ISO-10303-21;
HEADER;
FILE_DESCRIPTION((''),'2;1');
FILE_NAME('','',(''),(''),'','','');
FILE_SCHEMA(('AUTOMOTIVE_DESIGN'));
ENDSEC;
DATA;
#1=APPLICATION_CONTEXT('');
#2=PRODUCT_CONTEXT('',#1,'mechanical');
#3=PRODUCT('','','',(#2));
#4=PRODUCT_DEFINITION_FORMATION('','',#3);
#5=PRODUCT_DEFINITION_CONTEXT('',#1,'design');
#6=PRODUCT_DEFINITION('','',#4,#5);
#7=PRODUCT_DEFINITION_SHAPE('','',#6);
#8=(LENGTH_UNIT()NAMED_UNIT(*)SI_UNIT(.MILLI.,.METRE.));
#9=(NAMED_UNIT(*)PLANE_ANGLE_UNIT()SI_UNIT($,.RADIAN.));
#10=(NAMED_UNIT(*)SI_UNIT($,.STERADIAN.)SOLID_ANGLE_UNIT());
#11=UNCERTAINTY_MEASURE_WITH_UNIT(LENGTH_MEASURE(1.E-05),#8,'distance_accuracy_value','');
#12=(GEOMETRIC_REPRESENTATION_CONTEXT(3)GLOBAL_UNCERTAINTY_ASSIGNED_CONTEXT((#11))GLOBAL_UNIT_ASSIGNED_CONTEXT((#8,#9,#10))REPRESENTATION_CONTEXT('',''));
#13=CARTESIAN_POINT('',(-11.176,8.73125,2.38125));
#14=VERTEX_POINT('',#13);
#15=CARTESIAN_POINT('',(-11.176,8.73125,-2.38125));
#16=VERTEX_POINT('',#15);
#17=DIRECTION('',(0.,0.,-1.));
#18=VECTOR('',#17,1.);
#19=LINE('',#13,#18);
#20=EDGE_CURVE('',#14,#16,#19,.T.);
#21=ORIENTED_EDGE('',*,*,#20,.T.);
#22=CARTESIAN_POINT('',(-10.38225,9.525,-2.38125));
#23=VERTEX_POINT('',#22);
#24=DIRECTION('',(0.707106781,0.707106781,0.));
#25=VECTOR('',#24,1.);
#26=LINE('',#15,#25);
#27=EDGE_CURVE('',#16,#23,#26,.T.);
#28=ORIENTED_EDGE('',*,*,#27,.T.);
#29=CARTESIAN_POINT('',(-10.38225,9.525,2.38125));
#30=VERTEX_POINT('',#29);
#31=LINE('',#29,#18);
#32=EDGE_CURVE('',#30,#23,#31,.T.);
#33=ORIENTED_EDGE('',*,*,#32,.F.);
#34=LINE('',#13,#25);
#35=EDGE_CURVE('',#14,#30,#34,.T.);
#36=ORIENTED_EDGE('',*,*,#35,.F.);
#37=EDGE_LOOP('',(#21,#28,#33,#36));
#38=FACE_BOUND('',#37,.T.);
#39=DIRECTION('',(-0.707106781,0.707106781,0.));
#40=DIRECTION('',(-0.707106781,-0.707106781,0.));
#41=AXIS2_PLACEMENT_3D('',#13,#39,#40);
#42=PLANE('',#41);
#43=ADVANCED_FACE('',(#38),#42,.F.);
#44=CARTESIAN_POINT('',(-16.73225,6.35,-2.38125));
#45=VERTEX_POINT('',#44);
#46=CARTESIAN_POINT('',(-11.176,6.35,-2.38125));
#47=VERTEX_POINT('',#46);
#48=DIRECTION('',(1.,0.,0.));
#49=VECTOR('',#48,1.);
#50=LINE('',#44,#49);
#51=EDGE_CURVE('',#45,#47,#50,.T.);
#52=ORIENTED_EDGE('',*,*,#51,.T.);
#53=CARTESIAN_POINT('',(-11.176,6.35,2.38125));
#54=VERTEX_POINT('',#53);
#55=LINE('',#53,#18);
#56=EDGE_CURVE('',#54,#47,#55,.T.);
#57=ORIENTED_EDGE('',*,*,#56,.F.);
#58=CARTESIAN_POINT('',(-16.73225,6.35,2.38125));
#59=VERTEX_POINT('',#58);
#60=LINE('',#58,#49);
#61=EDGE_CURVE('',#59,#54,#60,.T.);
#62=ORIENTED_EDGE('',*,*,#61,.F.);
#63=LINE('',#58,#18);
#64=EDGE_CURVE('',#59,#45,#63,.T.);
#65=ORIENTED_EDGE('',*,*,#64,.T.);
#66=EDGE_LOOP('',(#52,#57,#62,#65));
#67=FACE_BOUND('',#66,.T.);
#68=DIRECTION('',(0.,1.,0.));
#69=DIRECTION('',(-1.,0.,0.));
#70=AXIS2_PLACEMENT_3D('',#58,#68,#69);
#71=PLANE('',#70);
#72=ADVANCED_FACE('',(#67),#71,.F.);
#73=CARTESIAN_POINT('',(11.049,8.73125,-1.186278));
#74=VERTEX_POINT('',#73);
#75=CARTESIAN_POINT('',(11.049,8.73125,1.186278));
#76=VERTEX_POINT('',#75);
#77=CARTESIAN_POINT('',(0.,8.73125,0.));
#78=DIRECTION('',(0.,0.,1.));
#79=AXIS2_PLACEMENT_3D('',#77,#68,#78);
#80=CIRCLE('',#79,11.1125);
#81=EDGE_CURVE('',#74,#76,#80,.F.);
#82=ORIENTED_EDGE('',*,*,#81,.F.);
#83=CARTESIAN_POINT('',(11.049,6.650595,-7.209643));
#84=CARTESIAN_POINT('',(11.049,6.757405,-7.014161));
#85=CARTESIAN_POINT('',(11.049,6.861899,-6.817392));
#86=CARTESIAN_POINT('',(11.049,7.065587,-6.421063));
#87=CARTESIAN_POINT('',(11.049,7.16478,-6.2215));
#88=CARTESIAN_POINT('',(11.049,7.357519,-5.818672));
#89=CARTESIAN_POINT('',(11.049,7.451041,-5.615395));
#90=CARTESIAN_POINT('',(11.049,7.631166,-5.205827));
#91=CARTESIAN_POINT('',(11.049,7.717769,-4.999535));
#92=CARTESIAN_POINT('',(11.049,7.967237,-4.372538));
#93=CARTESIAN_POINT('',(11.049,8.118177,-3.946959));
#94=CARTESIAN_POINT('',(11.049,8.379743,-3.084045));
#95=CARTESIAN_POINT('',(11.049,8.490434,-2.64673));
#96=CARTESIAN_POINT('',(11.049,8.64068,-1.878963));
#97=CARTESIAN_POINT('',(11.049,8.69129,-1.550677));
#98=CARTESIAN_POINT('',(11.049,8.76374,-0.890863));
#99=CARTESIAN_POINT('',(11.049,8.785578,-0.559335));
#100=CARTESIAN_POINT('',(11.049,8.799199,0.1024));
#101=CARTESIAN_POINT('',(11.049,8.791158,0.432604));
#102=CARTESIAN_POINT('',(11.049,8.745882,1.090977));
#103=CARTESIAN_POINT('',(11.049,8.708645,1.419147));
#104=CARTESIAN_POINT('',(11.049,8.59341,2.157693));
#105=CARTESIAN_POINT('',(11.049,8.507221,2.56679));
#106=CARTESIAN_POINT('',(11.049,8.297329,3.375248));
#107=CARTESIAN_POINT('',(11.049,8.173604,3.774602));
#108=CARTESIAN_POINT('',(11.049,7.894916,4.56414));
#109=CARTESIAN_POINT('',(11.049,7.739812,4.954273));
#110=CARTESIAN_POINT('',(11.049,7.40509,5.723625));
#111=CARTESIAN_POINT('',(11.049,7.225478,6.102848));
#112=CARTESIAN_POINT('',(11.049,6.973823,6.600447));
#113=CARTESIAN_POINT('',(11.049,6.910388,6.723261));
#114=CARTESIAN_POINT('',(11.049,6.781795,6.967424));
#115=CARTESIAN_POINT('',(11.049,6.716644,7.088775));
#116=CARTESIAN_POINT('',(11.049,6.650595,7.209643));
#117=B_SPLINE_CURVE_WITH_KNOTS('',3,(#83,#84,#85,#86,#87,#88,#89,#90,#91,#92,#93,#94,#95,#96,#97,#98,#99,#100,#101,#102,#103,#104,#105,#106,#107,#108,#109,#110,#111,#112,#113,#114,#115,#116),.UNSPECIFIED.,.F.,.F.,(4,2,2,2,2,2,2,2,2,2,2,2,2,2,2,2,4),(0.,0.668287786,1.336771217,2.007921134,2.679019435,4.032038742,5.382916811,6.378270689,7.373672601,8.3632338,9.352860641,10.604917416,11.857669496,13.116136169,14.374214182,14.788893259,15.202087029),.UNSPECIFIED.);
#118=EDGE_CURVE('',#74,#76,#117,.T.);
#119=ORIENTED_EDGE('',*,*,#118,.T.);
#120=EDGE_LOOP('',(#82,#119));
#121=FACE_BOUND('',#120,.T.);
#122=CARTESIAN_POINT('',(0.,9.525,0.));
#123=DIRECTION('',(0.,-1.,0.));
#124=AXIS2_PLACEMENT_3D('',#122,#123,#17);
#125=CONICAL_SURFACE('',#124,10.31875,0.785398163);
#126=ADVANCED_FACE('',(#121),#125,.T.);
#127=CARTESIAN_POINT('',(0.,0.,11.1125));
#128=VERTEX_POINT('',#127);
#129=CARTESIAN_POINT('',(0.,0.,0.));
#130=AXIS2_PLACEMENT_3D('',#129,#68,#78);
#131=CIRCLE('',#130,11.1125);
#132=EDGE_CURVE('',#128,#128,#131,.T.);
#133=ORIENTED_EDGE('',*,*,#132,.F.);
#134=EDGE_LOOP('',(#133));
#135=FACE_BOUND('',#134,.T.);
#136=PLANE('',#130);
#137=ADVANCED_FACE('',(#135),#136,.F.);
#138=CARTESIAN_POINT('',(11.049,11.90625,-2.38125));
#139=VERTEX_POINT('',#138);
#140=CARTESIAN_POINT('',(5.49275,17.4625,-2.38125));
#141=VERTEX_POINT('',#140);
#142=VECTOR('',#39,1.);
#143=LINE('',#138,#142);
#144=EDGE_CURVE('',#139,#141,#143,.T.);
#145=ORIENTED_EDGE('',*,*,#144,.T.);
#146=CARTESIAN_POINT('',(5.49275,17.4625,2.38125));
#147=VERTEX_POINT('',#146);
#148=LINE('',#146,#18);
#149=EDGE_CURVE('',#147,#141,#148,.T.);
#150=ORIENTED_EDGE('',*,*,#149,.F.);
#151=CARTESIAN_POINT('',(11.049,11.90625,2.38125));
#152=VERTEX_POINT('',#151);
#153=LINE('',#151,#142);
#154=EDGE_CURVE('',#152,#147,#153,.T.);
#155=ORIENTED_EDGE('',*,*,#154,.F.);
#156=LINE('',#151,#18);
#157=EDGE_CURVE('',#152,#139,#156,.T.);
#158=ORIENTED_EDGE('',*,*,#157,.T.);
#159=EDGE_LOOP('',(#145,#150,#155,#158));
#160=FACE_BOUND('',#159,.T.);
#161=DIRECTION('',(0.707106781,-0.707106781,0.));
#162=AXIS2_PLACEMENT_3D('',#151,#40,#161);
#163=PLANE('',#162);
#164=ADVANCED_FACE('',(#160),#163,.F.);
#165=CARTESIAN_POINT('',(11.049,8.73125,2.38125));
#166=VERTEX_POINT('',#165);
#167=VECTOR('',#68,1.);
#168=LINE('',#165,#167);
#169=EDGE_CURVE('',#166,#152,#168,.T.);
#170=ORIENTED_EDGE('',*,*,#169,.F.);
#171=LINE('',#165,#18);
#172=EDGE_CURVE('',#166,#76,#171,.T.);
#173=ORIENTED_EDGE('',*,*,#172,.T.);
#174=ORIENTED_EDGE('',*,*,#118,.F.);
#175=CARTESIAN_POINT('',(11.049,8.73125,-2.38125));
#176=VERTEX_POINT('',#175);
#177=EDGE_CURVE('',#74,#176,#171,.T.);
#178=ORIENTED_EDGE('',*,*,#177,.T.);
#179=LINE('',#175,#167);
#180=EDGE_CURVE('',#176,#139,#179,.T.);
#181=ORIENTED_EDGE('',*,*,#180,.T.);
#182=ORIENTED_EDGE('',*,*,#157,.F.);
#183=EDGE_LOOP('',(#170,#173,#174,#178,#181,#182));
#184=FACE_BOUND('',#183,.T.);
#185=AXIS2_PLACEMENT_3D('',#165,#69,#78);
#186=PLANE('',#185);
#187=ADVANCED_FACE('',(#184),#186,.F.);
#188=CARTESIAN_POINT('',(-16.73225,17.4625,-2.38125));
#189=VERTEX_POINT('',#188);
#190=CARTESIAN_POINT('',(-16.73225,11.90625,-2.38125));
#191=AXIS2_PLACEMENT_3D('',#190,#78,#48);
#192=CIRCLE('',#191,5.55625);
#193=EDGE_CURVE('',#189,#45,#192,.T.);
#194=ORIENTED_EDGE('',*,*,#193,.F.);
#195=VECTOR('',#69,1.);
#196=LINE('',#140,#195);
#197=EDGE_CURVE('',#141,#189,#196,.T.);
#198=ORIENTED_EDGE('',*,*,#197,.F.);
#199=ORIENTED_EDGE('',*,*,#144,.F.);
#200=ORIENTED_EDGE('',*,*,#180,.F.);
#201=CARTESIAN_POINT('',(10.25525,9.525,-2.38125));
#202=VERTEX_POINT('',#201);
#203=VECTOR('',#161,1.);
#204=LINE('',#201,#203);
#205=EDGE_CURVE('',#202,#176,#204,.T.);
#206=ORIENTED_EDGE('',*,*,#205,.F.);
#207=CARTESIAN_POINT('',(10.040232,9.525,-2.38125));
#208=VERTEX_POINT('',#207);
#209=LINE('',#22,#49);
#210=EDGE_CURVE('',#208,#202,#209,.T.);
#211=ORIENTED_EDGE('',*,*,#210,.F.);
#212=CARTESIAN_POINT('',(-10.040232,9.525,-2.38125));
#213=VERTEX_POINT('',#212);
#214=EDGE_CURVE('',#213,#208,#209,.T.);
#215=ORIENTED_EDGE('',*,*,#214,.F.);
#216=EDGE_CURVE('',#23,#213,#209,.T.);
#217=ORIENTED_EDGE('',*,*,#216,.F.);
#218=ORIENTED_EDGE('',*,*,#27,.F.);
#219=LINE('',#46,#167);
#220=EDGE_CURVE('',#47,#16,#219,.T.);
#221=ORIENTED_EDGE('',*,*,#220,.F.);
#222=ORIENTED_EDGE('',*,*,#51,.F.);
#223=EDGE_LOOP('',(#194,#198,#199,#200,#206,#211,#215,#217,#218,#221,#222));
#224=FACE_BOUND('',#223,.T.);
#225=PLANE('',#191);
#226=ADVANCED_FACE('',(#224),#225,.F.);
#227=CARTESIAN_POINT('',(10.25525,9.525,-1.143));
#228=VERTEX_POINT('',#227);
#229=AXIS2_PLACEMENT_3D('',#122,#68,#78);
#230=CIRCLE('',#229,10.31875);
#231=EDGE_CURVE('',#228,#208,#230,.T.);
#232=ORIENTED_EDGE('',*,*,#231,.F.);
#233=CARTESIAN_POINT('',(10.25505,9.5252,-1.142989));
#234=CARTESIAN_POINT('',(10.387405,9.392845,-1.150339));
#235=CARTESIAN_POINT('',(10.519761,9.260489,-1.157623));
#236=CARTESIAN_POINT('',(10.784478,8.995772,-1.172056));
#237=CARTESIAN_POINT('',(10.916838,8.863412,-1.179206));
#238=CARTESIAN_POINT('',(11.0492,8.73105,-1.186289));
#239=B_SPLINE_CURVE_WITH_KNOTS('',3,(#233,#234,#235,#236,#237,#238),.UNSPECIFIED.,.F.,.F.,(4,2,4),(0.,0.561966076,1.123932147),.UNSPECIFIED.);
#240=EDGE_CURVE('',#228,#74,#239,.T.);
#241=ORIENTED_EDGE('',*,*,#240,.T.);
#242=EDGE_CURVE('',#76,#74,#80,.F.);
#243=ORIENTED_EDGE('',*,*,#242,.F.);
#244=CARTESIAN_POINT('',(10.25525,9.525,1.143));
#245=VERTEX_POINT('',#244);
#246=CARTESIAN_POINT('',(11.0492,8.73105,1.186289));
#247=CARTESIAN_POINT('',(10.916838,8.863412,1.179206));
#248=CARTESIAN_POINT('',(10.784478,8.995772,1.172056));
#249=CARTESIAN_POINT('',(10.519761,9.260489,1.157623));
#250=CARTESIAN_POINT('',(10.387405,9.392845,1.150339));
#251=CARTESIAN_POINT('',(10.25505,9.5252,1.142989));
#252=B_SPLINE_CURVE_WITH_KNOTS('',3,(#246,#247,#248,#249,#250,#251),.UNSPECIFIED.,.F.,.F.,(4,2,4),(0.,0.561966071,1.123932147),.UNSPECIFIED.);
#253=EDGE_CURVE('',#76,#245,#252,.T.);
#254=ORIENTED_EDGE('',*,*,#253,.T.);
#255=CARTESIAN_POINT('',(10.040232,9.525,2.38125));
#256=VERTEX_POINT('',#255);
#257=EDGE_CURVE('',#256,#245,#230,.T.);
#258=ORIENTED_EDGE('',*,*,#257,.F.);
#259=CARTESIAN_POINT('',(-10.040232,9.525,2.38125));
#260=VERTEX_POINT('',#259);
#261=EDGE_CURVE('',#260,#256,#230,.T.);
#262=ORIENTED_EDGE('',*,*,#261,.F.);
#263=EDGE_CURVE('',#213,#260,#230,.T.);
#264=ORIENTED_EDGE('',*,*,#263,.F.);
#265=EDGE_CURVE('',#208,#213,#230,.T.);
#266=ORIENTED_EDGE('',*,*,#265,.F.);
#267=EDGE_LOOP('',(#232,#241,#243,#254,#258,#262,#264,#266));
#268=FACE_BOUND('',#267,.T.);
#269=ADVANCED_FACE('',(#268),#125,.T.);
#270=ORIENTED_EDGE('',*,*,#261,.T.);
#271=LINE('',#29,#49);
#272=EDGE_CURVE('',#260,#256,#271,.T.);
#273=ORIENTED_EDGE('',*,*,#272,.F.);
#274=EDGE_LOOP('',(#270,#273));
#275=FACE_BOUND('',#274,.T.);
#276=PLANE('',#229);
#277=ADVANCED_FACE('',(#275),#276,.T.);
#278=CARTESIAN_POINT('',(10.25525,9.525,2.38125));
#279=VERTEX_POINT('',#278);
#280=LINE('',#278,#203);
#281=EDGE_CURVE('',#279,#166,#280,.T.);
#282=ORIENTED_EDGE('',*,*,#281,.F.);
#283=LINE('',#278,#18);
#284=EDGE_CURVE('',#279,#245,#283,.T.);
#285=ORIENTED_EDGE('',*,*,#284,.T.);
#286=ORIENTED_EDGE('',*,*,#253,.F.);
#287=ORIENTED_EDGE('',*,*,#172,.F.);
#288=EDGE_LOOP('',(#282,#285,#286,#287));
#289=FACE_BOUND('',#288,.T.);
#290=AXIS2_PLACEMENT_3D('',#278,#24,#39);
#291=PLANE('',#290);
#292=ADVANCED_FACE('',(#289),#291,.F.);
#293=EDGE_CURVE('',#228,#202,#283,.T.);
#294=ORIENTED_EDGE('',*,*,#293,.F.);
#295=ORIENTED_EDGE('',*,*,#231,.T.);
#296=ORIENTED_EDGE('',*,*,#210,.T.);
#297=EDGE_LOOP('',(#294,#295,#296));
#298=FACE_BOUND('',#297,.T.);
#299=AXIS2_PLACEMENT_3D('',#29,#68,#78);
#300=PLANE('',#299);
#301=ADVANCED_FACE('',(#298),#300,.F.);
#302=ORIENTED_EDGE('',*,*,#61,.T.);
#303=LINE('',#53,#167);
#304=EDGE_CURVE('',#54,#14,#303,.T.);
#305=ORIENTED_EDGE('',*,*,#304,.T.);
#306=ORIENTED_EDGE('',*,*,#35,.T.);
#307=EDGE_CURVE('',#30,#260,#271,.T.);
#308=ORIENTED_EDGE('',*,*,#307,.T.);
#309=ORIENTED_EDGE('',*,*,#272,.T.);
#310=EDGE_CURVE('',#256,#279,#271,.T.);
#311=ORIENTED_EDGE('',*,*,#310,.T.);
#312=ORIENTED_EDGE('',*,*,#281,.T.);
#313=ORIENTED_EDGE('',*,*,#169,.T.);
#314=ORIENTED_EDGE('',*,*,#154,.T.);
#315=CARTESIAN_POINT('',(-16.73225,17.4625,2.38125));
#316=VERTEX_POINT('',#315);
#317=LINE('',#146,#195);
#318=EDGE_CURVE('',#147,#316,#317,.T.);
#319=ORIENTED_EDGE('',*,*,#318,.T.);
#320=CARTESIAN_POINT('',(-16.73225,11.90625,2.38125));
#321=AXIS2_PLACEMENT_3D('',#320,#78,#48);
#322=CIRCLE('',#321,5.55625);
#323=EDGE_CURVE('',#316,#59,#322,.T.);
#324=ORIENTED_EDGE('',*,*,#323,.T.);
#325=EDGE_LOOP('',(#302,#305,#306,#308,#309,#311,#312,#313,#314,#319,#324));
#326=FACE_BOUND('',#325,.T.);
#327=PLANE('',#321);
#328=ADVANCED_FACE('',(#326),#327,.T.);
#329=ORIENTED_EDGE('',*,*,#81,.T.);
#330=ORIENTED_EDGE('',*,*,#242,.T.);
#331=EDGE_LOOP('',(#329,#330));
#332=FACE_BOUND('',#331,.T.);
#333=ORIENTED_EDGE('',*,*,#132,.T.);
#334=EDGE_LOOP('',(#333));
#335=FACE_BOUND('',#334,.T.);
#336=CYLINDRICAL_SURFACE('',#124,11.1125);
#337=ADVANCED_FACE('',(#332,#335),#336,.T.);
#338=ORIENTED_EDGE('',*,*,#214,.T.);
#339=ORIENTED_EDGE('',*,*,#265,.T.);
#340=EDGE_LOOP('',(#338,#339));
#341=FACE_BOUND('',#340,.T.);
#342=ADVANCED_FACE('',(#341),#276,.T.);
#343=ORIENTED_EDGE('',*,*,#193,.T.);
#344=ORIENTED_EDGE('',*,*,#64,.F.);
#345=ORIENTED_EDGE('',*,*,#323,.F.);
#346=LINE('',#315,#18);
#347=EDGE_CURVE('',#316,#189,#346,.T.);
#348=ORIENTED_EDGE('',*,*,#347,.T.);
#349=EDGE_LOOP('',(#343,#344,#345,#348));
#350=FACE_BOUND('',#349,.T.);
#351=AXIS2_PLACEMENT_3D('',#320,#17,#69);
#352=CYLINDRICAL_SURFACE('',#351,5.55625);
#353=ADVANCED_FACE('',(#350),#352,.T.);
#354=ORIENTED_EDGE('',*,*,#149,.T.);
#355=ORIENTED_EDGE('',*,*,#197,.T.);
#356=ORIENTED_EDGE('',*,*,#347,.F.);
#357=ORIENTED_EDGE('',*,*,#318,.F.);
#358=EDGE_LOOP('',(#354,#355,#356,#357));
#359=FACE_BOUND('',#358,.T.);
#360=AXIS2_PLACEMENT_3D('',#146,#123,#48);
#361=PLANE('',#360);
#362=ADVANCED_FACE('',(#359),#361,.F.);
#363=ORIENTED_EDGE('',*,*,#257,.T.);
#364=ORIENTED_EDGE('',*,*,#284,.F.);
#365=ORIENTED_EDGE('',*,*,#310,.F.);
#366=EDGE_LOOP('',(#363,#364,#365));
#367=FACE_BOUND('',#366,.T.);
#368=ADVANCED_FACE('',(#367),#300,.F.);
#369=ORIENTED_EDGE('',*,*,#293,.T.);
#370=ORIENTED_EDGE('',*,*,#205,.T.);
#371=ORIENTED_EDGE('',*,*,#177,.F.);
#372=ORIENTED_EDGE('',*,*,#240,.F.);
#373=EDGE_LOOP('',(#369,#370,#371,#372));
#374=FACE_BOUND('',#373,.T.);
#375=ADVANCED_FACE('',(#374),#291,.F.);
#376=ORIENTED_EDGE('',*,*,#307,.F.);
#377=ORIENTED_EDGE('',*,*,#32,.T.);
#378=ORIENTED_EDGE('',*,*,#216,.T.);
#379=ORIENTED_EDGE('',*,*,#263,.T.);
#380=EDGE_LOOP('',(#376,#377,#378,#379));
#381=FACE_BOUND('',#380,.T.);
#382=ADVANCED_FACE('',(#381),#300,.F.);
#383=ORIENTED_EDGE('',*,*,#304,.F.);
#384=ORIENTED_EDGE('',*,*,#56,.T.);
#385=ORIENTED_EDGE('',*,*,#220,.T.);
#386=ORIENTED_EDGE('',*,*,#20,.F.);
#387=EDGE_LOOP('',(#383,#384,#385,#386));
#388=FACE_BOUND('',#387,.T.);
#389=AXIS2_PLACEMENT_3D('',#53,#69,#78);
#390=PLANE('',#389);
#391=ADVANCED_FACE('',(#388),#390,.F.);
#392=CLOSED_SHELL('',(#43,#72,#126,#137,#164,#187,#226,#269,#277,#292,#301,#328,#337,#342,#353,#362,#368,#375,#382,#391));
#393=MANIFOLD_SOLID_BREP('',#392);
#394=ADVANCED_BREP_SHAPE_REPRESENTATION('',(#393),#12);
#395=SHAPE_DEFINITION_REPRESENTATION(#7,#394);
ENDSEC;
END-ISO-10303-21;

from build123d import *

# Parameters (mm, degrees)
SKETCH1_R            = 11.1125
BOSS_EXTRUDE1_DEPTH  = 9.525
CHAMFER1_SIZE        = 0.79375
BOSS_EXTRUDE30_DEPTH = 2.38125


with BuildPart() as part:
    # Sketch1 → Boss-Extrude1 (new body)
    with BuildSketch(Plane(origin=(0, 0, 0), x_dir=(1, 0, 0), z_dir=(0, 1, 0))):
        with Locations(Location((0, 0, 0), (0, 0, 90))):
            Circle(SKETCH1_R)
    extrude(amount=BOSS_EXTRUDE1_DEPTH)

    # Chamfer1
    chamfer1_edges = [part.edges().sort_by_distance(p)[0] for p in [
        (0, 9.525, 11.1125),
    ]]
    chamfer(chamfer1_edges, length=CHAMFER1_SIZE)

    # Sketch2 → Boss-Extrude30 (add, symmetric)
    with BuildSketch(Plane.XY):
        with BuildLine():
            Line((11.049, 8.73125), (11.049, 11.90625))
            Line((11.049, 11.90625), (5.49275, 17.4625))
            Line((5.49275, 17.4625), (-16.73225, 17.4625))
            ThreePointArc((-16.73225, 17.4625), (-22.2885, 11.90625), (-16.73225, 6.35))
            Line((-16.73225, 6.35), (-11.176, 6.35))
            Line((-11.176, 6.35), (-11.176, 8.73125))
            Line((-11.176, 8.73125), (-10.38225, 9.525))
            Line((-10.38225, 9.525), (10.25525, 9.525))
            Line((10.25525, 9.525), (11.049, 8.73125))
        make_face()
    extrude(amount=BOSS_EXTRUDE30_DEPTH, both=True)


solid = part.part
